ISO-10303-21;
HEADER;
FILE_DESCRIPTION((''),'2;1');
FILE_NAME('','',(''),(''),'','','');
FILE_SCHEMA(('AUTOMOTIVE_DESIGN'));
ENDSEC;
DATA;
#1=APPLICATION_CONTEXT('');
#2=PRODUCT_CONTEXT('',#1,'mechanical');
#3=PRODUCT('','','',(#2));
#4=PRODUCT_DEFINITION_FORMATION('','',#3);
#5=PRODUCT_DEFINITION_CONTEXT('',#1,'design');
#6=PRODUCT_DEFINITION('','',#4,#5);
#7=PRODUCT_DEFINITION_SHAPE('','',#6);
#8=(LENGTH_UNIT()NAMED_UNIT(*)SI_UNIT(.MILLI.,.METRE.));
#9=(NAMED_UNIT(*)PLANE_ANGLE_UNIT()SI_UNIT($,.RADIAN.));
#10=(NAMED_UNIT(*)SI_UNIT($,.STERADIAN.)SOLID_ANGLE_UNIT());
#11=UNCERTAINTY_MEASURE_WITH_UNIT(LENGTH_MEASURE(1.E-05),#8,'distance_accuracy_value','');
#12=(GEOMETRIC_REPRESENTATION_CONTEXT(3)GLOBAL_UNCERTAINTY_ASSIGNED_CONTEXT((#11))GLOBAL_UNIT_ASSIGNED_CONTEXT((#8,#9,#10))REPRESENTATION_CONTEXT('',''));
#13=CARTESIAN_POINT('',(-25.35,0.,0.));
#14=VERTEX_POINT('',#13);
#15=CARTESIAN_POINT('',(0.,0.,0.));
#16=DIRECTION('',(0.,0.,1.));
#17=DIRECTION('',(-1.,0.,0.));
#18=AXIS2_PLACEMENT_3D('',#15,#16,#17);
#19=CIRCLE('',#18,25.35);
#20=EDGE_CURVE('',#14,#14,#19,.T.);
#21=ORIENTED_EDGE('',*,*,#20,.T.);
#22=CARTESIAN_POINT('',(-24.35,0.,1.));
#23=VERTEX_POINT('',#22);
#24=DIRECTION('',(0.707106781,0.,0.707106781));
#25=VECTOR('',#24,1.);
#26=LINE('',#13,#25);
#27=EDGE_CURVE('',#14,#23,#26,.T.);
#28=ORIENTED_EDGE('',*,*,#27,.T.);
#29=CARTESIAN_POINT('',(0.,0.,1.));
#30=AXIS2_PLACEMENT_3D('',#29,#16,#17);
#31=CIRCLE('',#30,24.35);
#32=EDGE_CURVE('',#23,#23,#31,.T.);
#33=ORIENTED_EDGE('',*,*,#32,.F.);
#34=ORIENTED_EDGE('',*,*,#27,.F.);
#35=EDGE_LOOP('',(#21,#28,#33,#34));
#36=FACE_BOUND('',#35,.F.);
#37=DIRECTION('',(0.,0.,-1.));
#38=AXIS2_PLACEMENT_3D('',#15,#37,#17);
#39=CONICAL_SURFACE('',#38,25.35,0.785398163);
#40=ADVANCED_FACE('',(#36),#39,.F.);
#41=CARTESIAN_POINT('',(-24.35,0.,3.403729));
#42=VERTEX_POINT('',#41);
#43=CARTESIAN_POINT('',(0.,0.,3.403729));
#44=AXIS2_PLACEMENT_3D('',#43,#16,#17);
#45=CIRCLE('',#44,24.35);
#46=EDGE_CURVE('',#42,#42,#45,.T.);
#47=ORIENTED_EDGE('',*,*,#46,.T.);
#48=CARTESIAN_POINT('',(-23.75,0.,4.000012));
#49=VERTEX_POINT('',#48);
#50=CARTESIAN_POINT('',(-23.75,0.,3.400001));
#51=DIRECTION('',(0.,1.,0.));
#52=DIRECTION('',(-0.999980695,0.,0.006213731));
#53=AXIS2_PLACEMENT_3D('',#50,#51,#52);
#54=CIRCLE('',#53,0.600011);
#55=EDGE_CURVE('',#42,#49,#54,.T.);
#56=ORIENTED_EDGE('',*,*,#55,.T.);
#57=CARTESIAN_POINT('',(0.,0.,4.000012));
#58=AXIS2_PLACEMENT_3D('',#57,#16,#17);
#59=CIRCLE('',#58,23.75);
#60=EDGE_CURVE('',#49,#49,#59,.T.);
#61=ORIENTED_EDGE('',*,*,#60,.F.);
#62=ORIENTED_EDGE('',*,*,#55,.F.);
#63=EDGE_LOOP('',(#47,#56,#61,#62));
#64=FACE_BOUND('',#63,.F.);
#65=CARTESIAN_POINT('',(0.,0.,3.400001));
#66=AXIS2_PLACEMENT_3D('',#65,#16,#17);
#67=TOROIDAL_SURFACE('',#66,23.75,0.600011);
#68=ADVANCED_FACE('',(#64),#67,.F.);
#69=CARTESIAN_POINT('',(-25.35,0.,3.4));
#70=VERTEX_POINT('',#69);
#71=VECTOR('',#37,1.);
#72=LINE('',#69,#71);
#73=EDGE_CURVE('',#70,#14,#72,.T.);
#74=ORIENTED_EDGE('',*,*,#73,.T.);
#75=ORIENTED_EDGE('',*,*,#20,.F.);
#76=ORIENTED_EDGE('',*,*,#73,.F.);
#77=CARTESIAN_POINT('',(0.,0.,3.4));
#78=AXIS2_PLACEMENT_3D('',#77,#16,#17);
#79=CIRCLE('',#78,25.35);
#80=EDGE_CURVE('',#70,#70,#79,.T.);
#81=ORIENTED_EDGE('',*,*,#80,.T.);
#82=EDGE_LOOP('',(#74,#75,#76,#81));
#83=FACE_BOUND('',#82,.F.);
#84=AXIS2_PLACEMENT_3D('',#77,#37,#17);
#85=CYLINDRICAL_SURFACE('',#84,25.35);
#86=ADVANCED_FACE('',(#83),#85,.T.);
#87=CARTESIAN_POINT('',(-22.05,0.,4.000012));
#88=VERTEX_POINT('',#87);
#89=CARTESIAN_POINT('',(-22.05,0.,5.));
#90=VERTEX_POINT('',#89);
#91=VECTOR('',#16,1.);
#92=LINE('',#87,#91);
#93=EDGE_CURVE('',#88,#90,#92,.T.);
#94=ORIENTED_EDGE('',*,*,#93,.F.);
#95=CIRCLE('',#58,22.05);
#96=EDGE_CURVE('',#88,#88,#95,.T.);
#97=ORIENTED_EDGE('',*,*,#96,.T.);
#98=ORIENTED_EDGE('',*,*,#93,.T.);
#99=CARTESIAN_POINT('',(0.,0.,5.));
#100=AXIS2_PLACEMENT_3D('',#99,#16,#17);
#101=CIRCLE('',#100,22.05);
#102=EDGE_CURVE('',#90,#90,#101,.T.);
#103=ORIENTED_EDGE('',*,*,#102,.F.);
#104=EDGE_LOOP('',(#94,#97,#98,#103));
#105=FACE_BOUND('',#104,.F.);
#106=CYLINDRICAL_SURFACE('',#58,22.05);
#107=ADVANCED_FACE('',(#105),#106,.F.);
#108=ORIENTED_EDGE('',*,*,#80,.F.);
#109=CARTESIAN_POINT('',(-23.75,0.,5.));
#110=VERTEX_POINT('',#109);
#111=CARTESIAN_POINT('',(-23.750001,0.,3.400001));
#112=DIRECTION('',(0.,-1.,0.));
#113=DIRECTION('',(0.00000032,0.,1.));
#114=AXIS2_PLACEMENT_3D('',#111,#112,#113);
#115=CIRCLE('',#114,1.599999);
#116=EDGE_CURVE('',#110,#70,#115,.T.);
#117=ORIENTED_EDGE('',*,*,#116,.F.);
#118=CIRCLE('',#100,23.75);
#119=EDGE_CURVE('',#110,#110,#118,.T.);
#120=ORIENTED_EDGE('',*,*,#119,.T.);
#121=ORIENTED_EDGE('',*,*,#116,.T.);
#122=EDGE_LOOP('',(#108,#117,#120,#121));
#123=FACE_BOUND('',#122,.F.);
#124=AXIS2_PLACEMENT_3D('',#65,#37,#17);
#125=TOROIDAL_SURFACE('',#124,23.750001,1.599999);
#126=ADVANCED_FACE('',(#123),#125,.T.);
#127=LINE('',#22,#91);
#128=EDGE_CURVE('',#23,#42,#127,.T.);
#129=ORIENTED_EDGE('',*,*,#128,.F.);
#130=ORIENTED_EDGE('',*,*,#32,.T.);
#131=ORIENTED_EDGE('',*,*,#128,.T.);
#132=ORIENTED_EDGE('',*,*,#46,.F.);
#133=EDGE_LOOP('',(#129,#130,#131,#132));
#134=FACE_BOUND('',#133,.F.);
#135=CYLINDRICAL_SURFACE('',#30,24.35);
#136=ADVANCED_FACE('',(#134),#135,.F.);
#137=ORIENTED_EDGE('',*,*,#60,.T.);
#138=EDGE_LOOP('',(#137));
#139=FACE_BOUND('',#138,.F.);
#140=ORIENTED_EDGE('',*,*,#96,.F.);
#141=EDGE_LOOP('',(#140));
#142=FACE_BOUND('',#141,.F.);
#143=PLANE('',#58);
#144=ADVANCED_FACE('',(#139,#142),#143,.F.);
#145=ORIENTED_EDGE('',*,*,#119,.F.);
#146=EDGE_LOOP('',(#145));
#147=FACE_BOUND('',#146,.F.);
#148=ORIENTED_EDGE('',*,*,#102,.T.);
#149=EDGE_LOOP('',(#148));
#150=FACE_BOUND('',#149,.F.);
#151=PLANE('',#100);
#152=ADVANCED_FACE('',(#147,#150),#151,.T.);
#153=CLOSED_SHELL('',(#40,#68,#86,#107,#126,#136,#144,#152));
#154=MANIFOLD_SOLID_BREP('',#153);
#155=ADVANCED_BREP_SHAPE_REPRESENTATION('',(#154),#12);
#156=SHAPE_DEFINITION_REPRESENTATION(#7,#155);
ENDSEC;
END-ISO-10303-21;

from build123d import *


with BuildPart() as f2:
    # F1 (on Front) → F2 (revolve)
    with BuildSketch(Plane.XZ):
        with BuildLine():
            Line((-25.35, 3.4), (-25.35, 0))
            Line((-25.35, 0), (-24.35, 1))
            Line((-24.35, 1), (-24.35, 3.403729))
            ThreePointArc((-24.35, 3.403729), (-24.172952, 3.825589), (-23.75, 4.000012))
            Line((-23.75, 4.000012), (-22.05, 4.000012))
            Line((-22.05, 4.000012), (-22.05, 5))
            Line((-22.05, 5), (-23.75, 5))
            ThreePointArc((-23.75, 5), (-24.881371, 4.531371), (-25.35, 3.4))
        make_face()
    revolve(axis=Axis((0, 0, 18.396249), (0, 0, 1)))


solid = f2.part
